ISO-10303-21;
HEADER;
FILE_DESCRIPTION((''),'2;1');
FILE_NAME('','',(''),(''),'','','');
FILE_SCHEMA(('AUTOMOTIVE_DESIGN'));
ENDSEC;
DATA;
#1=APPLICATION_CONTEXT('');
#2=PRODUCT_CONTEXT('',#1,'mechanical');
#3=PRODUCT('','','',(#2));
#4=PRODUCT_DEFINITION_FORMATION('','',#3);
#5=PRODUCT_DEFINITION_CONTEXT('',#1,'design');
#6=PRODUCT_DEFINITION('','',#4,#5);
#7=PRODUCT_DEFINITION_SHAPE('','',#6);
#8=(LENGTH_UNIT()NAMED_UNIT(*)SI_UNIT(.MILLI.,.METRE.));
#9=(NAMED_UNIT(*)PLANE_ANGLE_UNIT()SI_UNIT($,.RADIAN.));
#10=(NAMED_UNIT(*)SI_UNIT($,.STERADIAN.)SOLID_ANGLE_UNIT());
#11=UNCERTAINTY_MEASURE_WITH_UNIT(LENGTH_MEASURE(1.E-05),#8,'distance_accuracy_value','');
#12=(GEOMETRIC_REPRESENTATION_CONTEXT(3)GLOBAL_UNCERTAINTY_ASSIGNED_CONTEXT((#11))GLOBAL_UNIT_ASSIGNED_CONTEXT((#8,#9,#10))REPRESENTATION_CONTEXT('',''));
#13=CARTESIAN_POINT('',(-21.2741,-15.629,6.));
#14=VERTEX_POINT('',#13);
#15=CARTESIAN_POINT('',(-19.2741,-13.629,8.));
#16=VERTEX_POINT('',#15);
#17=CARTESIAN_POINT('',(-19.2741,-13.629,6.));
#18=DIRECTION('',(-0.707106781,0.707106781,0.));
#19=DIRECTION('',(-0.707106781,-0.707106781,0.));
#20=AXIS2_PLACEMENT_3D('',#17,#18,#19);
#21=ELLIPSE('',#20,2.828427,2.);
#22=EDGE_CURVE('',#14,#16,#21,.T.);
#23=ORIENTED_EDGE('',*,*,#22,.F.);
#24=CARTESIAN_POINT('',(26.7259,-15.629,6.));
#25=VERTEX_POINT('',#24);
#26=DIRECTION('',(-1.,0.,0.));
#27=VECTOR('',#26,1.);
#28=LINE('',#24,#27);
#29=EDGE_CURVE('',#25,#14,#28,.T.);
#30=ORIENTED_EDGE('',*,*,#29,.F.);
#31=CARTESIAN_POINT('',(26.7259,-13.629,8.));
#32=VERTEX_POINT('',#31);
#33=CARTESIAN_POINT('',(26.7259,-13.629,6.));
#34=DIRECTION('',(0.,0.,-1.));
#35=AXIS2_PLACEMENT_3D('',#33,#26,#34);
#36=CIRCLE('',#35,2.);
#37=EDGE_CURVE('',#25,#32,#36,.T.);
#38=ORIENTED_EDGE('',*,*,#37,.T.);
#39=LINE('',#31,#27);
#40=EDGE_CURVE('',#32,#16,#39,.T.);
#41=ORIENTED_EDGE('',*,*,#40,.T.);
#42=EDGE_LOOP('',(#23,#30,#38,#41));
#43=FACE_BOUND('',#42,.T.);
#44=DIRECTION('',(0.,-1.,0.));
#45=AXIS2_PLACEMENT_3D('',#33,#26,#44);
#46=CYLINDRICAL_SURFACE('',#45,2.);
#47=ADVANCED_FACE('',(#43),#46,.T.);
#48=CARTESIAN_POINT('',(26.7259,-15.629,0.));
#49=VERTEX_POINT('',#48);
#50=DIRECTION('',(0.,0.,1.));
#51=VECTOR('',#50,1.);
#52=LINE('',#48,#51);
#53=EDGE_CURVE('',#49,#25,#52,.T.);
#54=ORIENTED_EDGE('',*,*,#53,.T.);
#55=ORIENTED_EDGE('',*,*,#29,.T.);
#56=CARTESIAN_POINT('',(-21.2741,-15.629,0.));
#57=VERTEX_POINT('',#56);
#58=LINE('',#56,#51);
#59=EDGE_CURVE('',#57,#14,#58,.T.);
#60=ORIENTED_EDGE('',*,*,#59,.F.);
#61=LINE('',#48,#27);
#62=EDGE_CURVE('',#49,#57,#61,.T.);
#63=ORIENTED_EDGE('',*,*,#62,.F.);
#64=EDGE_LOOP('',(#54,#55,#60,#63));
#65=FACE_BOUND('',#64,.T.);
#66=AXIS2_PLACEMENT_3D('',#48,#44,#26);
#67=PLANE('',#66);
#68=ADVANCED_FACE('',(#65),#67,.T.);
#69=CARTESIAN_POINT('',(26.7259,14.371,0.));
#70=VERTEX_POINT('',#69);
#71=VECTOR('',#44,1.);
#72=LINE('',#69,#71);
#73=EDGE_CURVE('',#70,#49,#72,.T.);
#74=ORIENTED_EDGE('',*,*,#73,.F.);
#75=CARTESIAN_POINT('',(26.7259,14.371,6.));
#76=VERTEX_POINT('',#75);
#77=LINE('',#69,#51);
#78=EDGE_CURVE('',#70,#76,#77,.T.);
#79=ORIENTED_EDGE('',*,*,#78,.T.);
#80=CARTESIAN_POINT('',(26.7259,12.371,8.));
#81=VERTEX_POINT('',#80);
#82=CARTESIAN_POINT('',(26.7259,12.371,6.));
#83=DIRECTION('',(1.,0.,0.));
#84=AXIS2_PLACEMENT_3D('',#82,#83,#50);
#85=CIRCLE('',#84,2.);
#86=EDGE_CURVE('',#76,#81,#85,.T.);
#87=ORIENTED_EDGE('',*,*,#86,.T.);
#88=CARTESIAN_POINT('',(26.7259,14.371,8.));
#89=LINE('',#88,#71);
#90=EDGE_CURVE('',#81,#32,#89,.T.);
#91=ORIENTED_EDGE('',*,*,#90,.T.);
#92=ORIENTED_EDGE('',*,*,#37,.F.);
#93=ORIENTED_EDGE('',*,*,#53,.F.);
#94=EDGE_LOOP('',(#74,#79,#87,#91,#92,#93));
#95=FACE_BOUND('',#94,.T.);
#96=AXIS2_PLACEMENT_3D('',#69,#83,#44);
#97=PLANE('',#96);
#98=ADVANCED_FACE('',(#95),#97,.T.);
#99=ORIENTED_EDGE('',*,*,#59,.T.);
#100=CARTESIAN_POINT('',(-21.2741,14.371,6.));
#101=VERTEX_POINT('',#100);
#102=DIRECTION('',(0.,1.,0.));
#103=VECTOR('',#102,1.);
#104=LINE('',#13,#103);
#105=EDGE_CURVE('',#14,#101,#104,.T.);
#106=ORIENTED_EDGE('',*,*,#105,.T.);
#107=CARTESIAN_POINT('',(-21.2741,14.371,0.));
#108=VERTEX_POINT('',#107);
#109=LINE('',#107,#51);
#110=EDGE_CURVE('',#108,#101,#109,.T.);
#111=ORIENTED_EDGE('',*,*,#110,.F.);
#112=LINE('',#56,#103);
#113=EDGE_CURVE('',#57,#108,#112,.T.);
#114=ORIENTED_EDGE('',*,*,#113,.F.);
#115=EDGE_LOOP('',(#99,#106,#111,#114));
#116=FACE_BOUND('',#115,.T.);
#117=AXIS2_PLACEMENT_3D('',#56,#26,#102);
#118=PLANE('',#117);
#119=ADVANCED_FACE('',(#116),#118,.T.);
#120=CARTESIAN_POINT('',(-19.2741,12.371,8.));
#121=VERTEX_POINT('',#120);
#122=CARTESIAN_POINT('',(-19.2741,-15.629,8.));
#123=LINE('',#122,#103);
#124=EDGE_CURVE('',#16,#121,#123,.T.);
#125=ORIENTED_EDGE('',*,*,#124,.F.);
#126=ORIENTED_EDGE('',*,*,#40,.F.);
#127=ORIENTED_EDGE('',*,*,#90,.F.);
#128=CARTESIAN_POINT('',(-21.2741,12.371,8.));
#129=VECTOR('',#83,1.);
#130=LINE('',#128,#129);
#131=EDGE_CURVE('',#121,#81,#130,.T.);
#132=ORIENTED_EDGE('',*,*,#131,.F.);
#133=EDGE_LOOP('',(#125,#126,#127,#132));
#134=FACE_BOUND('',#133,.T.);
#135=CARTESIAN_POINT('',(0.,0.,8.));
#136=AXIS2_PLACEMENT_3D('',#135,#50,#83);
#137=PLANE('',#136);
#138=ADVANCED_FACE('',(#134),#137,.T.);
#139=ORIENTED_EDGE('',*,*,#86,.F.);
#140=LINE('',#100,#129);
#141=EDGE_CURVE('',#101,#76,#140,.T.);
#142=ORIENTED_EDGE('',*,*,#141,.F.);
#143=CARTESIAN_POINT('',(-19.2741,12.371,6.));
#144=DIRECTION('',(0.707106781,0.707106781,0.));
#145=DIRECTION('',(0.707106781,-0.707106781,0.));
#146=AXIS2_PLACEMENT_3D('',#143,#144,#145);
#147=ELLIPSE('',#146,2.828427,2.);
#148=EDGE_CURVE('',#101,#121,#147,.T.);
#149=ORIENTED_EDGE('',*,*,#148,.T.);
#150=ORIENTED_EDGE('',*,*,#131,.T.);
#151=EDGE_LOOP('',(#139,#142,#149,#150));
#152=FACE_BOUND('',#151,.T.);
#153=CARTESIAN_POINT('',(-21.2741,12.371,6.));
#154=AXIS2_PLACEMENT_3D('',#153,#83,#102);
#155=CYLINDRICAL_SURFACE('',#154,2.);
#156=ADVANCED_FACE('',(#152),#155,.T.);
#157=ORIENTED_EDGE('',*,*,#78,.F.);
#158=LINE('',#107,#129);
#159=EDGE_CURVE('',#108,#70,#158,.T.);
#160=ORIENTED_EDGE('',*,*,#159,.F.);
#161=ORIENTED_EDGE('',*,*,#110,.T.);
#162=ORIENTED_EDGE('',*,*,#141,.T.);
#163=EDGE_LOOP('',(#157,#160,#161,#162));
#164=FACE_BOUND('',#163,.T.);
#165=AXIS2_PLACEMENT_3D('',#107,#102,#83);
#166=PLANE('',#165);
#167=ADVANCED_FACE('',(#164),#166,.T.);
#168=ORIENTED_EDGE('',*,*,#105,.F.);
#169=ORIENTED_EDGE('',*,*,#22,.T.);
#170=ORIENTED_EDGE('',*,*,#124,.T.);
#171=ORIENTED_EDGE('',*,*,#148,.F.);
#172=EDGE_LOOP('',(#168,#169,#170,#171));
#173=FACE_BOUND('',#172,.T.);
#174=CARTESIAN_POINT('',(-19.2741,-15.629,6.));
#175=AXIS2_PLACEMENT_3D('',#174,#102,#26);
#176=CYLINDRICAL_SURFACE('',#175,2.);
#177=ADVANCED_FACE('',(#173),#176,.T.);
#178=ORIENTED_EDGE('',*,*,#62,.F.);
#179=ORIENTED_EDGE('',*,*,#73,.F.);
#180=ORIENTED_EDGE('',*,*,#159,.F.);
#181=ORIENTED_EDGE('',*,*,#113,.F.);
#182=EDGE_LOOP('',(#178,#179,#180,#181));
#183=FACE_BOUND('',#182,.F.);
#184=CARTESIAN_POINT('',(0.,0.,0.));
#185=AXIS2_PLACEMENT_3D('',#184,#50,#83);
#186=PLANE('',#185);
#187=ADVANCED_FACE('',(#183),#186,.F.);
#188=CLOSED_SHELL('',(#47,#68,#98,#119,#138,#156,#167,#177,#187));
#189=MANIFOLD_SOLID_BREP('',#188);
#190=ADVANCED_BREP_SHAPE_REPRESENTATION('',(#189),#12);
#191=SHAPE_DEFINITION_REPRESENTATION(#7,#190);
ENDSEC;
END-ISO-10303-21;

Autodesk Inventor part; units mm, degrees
ref_plane "YZ Plane" through (0, 0, 0) normal (1, 0, 0) x (0, 1, 0)
ref_plane "XZ Plane" through (0, 0, 0) normal (0, 1, 0) x (-1, 0, 0)
ref_plane "XY Plane" through (0, 0, 0) normal (0, 0, 1) x (1, 0, 0)
sketch "Sketch1" plane through (0, 0, 0) normal (0, 0, 1) x (1, 0, 0)
  line L0 (-21.2741, -15.629) -> (-21.2741, 14.371)
  line L1 (-21.2741, 14.371) -> (26.7259, 14.371)
  line L2 (26.7259, 14.371) -> (26.7259, -15.629)
  line L3 (26.7259, -15.629) -> (-21.2741, -15.629)
  point P0 (0, 0)
  dimension "d3" = 30
  dimension "d4" = 48
extrude "Extrusion1" add sketch "Sketch1" along normal blind 8
fillet "Fillet1" radius 2 3 edges at (2.7259, -15.629, 8) (2.7259, 14.371, 8) (-21.2741, -0.629, 8)
properties part number "Battery"
